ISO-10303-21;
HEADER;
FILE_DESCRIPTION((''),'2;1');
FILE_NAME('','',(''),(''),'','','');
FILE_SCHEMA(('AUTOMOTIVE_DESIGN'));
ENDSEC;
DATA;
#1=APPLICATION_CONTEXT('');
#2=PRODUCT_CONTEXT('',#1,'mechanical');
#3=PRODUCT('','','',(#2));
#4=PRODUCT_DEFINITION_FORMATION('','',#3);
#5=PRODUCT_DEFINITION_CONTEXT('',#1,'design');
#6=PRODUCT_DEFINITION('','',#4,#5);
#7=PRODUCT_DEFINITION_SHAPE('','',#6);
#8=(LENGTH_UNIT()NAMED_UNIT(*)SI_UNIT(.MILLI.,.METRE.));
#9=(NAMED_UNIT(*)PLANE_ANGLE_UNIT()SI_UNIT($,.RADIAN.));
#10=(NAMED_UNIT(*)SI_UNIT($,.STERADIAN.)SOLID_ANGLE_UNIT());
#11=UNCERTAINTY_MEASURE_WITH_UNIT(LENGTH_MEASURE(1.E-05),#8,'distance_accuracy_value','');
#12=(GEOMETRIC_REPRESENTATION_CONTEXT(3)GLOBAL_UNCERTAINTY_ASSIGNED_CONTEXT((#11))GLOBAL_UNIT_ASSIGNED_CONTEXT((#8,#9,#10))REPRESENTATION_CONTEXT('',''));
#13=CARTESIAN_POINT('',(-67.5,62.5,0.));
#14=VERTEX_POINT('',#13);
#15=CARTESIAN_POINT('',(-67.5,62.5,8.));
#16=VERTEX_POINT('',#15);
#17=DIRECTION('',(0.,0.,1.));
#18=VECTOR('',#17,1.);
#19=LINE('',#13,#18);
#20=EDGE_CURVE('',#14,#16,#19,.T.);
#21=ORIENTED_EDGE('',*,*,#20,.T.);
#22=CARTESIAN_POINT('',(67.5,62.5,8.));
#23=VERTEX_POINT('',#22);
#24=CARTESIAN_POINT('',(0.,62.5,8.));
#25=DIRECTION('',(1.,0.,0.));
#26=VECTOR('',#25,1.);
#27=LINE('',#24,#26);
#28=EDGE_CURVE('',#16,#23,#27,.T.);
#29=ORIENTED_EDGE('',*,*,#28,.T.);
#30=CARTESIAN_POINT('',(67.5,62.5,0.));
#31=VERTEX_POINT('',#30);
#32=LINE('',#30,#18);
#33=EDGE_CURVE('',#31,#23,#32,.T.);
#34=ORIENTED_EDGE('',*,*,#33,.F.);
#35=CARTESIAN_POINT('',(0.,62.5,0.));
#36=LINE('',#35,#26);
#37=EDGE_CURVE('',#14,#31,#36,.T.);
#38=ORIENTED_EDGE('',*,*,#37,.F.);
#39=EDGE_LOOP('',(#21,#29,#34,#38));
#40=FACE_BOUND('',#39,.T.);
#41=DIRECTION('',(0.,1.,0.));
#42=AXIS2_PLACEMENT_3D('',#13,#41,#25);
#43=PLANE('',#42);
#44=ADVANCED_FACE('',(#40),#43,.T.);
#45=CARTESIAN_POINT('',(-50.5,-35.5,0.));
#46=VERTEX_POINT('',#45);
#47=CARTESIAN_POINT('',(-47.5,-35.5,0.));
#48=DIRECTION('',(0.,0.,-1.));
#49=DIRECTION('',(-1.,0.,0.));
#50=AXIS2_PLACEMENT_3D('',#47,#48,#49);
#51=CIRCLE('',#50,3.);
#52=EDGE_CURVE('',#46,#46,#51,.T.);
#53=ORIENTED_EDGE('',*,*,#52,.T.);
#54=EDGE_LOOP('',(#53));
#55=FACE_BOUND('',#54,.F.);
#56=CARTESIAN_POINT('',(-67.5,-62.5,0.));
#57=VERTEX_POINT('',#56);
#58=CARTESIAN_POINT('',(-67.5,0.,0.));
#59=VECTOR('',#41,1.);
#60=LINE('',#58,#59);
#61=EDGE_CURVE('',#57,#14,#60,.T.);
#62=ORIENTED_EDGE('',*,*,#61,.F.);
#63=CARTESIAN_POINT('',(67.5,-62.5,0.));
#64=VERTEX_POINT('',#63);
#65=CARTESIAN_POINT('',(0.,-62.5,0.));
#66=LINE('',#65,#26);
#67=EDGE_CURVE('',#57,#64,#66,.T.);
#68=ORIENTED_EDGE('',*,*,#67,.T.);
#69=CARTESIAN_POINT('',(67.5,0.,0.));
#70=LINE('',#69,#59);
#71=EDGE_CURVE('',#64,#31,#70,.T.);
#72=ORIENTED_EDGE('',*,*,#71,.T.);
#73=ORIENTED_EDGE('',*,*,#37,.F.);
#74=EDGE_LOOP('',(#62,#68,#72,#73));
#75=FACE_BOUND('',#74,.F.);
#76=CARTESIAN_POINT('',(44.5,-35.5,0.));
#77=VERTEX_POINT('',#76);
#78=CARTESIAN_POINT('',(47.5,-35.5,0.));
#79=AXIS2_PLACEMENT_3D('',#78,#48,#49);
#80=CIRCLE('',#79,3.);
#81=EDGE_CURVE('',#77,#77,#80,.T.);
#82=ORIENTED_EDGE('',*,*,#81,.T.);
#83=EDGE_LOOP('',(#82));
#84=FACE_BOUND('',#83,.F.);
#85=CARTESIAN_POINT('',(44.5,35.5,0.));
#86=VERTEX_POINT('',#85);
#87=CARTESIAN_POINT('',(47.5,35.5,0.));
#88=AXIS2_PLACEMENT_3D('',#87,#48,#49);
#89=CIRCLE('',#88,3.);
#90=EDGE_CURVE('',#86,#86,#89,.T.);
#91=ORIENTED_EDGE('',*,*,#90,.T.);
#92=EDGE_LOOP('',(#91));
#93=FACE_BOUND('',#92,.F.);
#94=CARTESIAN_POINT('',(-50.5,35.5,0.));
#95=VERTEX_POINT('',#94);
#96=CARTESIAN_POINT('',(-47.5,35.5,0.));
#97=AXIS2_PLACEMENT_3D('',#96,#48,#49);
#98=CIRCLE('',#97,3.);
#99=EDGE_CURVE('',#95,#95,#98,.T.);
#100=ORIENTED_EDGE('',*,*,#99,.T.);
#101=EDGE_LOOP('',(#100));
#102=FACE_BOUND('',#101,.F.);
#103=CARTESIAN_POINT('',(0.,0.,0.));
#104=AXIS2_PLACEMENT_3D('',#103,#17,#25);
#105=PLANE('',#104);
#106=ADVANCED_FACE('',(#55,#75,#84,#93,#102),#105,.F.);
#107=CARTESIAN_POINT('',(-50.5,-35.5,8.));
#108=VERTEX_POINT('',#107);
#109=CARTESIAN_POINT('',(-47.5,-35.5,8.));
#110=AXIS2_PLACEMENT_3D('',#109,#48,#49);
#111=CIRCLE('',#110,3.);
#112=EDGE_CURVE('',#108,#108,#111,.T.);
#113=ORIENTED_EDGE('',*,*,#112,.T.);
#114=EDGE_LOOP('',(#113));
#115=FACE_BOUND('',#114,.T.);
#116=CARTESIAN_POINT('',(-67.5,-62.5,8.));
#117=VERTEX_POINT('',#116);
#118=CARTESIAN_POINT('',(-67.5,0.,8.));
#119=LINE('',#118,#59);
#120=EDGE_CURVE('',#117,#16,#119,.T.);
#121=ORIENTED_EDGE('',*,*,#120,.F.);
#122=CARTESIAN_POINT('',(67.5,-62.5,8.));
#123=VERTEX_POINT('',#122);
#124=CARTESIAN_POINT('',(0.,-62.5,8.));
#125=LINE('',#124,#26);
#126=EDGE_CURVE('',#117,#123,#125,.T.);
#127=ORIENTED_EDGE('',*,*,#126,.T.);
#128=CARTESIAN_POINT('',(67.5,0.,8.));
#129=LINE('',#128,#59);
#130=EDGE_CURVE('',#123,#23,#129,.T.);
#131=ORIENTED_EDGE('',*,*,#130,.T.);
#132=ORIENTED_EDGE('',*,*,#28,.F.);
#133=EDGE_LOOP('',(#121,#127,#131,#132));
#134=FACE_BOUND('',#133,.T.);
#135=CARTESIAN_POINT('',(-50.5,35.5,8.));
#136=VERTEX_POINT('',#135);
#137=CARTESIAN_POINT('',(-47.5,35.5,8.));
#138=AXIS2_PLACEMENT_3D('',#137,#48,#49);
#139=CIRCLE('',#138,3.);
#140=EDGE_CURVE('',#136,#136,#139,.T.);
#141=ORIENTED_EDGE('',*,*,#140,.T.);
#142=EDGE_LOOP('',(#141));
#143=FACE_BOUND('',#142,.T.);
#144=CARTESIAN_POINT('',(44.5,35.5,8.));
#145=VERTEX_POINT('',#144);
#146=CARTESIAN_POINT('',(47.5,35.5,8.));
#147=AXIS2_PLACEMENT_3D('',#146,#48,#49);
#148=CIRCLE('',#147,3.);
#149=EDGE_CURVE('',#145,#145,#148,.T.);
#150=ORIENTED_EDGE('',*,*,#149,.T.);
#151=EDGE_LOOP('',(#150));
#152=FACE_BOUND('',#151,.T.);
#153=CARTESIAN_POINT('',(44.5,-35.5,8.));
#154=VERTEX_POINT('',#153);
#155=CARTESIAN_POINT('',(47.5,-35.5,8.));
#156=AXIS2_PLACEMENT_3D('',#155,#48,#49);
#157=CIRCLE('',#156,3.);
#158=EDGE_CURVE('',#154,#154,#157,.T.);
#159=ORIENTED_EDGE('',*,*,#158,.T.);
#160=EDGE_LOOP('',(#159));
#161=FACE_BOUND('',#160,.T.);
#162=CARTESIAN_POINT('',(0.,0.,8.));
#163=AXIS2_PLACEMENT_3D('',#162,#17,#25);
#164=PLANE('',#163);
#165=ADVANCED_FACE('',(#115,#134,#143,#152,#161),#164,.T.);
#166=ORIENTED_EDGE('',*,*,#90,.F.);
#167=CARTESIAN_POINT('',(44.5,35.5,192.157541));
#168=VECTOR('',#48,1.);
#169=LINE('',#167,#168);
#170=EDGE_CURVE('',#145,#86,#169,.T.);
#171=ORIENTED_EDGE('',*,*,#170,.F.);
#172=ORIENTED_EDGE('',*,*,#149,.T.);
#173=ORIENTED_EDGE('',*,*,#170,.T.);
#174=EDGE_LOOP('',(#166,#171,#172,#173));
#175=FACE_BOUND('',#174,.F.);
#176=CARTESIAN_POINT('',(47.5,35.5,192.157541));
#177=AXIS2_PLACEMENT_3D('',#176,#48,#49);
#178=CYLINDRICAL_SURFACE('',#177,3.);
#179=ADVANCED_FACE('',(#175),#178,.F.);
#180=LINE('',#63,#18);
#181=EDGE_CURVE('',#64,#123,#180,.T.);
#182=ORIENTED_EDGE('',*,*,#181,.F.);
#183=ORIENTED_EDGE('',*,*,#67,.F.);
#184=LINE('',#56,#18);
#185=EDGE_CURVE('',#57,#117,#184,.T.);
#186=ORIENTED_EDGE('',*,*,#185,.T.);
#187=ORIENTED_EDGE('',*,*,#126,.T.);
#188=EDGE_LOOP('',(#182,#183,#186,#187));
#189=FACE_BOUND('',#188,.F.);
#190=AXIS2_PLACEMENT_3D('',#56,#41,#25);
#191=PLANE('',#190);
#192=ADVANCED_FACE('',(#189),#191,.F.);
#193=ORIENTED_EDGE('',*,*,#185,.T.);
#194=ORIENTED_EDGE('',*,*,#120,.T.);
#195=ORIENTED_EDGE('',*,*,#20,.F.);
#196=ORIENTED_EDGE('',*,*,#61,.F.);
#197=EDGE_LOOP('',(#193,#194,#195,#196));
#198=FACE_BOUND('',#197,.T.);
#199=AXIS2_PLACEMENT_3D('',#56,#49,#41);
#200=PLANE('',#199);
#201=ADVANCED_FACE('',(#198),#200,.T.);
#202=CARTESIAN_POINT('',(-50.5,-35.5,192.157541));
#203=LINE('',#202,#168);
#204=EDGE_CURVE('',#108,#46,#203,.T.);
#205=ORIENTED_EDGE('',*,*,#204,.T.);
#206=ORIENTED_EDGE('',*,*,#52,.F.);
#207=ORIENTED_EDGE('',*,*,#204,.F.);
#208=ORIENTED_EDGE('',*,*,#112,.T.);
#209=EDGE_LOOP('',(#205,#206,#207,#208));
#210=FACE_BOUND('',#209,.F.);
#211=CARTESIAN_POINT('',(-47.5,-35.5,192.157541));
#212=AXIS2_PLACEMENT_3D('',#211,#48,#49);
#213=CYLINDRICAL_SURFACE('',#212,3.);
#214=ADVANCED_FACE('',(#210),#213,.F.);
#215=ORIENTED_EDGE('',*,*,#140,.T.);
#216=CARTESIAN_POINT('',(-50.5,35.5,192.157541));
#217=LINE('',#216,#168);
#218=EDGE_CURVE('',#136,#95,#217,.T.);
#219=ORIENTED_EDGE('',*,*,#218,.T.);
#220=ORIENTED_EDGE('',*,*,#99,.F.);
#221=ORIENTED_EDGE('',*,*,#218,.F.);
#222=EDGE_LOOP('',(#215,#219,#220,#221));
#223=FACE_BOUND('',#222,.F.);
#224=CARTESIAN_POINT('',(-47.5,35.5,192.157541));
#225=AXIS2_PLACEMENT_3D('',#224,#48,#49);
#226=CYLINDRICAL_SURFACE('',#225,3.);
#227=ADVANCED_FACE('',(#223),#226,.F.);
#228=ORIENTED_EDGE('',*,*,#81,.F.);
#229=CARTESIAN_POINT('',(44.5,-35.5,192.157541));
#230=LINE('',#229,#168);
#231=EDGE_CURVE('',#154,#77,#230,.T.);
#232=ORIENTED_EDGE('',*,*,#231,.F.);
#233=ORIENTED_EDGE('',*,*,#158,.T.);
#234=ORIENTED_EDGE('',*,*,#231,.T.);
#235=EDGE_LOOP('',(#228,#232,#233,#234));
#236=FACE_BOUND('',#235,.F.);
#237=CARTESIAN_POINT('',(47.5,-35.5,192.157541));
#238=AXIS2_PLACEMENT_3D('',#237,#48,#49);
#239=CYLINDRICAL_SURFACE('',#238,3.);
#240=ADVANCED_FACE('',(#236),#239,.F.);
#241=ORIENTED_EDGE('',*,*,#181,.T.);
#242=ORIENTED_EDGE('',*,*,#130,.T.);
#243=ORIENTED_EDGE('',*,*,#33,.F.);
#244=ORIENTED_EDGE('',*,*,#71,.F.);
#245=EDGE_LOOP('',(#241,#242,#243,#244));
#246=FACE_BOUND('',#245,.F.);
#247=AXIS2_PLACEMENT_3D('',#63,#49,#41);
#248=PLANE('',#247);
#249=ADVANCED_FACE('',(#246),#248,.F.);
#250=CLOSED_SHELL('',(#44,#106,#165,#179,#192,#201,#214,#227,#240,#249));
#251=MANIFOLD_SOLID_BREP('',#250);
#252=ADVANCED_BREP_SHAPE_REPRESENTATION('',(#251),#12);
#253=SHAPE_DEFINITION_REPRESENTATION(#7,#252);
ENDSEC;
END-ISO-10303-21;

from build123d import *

# Parameters (mm, degrees)
F0_W     = 135
F0_H     = 125
F0_W_2   = 95
F0_H_2   = 65
F1_DEPTH = 8
F3_D     = 6


with BuildPart() as f1:
    # F0 (on Top) → F1 (new body)
    with BuildSketch(Plane.XY):
        Rectangle(F0_W, F0_H)
        Rectangle(F0_W_2, F0_H_2, mode=Mode.SUBTRACT)
        Rectangle(F0_W_2, F0_H_2)
    extrude(amount=F1_DEPTH)

    # F3 (through all)
    with Locations(Plane.XY.offset(8)):
        with Locations((47.5, -35.5), (-47.5, -35.5), (-47.5, 35.5), (47.5, 35.5)):
            Hole(F3_D / 2)


solid = f1.part
